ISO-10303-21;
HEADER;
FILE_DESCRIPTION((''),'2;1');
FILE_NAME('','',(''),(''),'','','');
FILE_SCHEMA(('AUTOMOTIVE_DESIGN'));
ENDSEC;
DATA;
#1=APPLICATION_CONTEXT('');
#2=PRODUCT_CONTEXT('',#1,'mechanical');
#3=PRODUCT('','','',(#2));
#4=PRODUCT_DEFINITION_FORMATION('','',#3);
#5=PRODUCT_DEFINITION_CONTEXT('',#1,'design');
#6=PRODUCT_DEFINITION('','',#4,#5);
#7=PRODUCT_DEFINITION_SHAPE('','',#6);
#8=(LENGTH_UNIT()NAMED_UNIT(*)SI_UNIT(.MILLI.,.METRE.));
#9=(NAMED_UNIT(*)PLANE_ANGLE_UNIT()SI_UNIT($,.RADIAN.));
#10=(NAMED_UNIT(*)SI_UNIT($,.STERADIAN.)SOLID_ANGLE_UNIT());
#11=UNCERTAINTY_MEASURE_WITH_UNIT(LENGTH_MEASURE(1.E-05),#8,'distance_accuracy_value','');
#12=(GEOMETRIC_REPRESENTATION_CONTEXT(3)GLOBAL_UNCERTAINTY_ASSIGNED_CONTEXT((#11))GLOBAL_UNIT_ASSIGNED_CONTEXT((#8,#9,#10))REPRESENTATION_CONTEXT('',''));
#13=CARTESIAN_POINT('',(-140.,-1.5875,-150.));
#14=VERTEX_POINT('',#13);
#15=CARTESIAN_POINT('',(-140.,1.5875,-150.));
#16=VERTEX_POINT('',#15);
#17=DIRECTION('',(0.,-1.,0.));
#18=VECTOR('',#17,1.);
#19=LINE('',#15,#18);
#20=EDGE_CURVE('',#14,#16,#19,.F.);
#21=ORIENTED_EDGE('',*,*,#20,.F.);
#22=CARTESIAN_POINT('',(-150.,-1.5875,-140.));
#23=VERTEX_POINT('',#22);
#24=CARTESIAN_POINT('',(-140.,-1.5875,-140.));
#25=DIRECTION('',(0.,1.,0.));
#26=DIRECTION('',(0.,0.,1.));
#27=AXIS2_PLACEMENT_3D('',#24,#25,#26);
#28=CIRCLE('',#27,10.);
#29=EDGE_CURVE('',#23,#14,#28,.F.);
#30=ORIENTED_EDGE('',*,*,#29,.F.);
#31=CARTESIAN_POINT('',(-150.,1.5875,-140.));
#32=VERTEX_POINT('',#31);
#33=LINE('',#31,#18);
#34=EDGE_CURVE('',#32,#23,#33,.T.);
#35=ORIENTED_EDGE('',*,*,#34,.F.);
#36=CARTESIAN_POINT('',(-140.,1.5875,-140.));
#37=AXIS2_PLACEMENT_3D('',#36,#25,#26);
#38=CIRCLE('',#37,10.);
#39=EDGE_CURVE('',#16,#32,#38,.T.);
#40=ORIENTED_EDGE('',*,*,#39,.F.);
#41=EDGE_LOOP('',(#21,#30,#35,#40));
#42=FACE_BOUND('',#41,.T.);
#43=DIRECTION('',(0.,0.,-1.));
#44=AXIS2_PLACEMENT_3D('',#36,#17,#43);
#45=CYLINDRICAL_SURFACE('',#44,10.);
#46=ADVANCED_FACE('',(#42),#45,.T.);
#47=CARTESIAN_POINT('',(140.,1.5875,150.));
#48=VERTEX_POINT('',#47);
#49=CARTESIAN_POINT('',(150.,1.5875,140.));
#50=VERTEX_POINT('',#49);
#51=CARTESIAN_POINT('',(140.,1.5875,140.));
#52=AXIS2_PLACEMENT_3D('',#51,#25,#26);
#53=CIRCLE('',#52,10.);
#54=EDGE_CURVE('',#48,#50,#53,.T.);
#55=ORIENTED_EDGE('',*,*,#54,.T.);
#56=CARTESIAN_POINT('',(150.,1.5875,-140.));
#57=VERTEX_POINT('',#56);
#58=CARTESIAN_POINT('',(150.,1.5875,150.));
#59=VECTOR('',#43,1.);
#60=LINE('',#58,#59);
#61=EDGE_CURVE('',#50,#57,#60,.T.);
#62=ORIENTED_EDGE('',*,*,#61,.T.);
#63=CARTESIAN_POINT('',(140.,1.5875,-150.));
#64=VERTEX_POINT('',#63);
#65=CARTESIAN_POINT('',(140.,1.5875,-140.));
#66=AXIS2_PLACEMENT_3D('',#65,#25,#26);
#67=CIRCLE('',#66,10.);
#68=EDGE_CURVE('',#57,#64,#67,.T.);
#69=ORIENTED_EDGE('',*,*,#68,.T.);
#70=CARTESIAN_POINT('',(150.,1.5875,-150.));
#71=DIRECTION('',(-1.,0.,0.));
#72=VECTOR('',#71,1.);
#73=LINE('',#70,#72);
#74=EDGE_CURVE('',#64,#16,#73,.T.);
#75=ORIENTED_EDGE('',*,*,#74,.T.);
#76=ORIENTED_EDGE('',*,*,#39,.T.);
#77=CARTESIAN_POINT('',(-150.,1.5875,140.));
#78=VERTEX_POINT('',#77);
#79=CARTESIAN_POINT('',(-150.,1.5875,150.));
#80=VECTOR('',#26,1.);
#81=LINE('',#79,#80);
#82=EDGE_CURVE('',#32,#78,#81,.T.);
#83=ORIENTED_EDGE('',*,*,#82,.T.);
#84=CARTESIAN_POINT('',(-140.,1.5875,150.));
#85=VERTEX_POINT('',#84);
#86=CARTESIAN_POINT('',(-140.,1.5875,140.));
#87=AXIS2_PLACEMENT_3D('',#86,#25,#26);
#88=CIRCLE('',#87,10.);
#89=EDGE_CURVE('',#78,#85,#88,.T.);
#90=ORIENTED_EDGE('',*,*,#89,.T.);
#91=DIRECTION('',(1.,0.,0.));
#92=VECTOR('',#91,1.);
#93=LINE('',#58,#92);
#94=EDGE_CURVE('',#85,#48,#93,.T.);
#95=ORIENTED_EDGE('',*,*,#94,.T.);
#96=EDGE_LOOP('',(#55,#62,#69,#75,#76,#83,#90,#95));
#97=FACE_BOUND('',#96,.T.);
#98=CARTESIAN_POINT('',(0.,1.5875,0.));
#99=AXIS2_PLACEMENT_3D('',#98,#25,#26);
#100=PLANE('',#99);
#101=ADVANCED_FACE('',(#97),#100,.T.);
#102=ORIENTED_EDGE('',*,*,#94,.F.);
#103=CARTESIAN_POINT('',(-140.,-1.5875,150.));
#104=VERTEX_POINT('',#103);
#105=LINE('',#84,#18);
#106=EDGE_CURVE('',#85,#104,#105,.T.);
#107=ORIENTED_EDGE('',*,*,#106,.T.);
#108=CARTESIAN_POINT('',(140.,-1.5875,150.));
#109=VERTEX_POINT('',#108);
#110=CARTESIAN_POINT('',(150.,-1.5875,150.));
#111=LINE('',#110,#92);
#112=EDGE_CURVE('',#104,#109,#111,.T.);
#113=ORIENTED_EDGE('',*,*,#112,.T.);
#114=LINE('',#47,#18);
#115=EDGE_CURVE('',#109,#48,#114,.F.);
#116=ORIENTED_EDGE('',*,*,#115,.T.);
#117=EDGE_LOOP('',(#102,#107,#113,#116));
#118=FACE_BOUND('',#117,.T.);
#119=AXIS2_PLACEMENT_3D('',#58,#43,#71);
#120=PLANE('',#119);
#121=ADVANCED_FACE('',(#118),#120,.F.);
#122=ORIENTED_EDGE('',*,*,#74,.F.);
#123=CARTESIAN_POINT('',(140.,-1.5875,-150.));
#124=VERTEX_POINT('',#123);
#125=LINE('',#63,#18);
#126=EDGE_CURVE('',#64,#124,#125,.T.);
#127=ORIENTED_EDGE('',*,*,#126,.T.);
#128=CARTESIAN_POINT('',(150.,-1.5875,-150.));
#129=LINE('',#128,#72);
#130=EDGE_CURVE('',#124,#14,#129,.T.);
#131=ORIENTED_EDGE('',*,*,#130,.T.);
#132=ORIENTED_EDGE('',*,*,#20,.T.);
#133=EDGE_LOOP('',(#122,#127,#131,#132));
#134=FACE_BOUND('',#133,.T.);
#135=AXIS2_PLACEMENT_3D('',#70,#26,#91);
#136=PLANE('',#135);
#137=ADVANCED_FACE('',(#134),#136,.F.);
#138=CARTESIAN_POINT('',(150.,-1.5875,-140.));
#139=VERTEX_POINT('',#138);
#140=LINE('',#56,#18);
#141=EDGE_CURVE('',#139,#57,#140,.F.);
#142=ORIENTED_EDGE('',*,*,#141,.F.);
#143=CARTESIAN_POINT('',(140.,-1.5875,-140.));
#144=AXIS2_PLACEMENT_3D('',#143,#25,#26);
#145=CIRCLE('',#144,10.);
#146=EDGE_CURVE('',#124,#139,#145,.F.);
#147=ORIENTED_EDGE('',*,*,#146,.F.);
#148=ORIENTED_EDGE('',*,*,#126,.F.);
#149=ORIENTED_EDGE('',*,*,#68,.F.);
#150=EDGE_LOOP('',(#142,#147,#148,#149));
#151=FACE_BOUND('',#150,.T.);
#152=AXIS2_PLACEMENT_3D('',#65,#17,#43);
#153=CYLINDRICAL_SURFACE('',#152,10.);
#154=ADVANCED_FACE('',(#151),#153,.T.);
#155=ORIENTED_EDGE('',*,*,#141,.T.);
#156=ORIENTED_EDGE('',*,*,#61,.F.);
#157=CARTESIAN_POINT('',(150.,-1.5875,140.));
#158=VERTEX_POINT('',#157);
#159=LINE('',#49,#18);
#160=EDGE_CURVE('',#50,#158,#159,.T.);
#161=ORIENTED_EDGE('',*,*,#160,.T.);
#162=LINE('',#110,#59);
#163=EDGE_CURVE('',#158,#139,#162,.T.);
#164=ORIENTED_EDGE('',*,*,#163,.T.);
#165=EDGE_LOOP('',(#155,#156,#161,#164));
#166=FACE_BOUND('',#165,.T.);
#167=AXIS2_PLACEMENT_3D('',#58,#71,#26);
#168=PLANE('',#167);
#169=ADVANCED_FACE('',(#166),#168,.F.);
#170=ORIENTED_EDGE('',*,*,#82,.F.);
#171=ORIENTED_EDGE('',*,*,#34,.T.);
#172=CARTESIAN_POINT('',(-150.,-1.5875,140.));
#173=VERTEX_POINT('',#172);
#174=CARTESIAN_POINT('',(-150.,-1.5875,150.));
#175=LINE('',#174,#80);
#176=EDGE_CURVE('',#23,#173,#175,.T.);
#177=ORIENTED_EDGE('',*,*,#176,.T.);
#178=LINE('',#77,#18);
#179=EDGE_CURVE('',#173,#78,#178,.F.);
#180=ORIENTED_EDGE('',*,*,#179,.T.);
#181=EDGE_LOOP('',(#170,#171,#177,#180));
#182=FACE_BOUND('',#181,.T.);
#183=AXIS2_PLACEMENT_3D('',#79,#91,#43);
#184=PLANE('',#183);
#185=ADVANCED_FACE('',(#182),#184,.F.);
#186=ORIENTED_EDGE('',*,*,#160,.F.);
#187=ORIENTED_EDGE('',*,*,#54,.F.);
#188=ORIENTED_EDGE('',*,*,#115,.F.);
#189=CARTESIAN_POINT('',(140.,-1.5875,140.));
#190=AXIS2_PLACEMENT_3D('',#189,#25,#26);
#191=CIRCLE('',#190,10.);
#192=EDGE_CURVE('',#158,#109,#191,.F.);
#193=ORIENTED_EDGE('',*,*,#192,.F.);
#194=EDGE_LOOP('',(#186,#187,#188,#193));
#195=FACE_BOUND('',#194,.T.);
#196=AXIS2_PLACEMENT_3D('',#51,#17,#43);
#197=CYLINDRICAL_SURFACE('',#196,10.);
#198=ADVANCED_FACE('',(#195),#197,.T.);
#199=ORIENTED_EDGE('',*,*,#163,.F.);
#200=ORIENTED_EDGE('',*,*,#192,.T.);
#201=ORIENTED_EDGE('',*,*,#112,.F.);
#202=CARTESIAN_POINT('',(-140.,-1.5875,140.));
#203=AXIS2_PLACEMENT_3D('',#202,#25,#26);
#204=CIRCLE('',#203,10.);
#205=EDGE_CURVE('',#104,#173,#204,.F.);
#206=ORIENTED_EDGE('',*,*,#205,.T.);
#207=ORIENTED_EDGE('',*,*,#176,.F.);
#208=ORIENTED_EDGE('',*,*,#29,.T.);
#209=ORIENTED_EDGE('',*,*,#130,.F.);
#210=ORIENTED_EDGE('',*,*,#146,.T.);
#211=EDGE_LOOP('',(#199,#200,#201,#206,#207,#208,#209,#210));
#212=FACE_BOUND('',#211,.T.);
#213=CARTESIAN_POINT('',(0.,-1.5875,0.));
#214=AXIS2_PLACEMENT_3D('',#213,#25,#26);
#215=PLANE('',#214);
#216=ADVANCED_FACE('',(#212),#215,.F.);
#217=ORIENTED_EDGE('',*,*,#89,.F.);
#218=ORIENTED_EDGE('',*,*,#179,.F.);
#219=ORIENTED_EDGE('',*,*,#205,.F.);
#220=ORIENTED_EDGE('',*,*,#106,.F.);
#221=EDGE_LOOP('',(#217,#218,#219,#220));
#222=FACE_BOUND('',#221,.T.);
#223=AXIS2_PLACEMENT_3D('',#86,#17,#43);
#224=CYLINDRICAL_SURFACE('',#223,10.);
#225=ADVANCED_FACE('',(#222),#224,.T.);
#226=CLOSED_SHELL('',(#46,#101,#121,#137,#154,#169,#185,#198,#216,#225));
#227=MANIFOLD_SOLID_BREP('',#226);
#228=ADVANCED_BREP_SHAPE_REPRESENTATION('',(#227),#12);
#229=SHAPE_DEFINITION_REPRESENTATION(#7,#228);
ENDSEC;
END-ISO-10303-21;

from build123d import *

# Parameters (mm, degrees)
SKETCH1_W           = 300
SKETCH1_H           = 300
BOSS_EXTRUDE1_DEPTH = 1.5875
FILLET1_R           = 10


with BuildPart() as part:
    # Sketch1 → Boss-Extrude1 (new, symmetric)
    with BuildSketch(Plane(origin=(0, 0, 0), x_dir=(1, 0, 0), z_dir=(0, 1, 0))):
        Rectangle(SKETCH1_W, SKETCH1_H)
    extrude(amount=BOSS_EXTRUDE1_DEPTH, both=True)

    # Fillet1
    fillet1_edges = [part.edges().sort_by_distance(p)[0] for p in [
        (-150, 0, -150),
        (150, 0, -150),
        (150, 0, 150),
        (-150, 0, 150),
    ]]
    fillet(fillet1_edges, radius=FILLET1_R)


solid = part.part
